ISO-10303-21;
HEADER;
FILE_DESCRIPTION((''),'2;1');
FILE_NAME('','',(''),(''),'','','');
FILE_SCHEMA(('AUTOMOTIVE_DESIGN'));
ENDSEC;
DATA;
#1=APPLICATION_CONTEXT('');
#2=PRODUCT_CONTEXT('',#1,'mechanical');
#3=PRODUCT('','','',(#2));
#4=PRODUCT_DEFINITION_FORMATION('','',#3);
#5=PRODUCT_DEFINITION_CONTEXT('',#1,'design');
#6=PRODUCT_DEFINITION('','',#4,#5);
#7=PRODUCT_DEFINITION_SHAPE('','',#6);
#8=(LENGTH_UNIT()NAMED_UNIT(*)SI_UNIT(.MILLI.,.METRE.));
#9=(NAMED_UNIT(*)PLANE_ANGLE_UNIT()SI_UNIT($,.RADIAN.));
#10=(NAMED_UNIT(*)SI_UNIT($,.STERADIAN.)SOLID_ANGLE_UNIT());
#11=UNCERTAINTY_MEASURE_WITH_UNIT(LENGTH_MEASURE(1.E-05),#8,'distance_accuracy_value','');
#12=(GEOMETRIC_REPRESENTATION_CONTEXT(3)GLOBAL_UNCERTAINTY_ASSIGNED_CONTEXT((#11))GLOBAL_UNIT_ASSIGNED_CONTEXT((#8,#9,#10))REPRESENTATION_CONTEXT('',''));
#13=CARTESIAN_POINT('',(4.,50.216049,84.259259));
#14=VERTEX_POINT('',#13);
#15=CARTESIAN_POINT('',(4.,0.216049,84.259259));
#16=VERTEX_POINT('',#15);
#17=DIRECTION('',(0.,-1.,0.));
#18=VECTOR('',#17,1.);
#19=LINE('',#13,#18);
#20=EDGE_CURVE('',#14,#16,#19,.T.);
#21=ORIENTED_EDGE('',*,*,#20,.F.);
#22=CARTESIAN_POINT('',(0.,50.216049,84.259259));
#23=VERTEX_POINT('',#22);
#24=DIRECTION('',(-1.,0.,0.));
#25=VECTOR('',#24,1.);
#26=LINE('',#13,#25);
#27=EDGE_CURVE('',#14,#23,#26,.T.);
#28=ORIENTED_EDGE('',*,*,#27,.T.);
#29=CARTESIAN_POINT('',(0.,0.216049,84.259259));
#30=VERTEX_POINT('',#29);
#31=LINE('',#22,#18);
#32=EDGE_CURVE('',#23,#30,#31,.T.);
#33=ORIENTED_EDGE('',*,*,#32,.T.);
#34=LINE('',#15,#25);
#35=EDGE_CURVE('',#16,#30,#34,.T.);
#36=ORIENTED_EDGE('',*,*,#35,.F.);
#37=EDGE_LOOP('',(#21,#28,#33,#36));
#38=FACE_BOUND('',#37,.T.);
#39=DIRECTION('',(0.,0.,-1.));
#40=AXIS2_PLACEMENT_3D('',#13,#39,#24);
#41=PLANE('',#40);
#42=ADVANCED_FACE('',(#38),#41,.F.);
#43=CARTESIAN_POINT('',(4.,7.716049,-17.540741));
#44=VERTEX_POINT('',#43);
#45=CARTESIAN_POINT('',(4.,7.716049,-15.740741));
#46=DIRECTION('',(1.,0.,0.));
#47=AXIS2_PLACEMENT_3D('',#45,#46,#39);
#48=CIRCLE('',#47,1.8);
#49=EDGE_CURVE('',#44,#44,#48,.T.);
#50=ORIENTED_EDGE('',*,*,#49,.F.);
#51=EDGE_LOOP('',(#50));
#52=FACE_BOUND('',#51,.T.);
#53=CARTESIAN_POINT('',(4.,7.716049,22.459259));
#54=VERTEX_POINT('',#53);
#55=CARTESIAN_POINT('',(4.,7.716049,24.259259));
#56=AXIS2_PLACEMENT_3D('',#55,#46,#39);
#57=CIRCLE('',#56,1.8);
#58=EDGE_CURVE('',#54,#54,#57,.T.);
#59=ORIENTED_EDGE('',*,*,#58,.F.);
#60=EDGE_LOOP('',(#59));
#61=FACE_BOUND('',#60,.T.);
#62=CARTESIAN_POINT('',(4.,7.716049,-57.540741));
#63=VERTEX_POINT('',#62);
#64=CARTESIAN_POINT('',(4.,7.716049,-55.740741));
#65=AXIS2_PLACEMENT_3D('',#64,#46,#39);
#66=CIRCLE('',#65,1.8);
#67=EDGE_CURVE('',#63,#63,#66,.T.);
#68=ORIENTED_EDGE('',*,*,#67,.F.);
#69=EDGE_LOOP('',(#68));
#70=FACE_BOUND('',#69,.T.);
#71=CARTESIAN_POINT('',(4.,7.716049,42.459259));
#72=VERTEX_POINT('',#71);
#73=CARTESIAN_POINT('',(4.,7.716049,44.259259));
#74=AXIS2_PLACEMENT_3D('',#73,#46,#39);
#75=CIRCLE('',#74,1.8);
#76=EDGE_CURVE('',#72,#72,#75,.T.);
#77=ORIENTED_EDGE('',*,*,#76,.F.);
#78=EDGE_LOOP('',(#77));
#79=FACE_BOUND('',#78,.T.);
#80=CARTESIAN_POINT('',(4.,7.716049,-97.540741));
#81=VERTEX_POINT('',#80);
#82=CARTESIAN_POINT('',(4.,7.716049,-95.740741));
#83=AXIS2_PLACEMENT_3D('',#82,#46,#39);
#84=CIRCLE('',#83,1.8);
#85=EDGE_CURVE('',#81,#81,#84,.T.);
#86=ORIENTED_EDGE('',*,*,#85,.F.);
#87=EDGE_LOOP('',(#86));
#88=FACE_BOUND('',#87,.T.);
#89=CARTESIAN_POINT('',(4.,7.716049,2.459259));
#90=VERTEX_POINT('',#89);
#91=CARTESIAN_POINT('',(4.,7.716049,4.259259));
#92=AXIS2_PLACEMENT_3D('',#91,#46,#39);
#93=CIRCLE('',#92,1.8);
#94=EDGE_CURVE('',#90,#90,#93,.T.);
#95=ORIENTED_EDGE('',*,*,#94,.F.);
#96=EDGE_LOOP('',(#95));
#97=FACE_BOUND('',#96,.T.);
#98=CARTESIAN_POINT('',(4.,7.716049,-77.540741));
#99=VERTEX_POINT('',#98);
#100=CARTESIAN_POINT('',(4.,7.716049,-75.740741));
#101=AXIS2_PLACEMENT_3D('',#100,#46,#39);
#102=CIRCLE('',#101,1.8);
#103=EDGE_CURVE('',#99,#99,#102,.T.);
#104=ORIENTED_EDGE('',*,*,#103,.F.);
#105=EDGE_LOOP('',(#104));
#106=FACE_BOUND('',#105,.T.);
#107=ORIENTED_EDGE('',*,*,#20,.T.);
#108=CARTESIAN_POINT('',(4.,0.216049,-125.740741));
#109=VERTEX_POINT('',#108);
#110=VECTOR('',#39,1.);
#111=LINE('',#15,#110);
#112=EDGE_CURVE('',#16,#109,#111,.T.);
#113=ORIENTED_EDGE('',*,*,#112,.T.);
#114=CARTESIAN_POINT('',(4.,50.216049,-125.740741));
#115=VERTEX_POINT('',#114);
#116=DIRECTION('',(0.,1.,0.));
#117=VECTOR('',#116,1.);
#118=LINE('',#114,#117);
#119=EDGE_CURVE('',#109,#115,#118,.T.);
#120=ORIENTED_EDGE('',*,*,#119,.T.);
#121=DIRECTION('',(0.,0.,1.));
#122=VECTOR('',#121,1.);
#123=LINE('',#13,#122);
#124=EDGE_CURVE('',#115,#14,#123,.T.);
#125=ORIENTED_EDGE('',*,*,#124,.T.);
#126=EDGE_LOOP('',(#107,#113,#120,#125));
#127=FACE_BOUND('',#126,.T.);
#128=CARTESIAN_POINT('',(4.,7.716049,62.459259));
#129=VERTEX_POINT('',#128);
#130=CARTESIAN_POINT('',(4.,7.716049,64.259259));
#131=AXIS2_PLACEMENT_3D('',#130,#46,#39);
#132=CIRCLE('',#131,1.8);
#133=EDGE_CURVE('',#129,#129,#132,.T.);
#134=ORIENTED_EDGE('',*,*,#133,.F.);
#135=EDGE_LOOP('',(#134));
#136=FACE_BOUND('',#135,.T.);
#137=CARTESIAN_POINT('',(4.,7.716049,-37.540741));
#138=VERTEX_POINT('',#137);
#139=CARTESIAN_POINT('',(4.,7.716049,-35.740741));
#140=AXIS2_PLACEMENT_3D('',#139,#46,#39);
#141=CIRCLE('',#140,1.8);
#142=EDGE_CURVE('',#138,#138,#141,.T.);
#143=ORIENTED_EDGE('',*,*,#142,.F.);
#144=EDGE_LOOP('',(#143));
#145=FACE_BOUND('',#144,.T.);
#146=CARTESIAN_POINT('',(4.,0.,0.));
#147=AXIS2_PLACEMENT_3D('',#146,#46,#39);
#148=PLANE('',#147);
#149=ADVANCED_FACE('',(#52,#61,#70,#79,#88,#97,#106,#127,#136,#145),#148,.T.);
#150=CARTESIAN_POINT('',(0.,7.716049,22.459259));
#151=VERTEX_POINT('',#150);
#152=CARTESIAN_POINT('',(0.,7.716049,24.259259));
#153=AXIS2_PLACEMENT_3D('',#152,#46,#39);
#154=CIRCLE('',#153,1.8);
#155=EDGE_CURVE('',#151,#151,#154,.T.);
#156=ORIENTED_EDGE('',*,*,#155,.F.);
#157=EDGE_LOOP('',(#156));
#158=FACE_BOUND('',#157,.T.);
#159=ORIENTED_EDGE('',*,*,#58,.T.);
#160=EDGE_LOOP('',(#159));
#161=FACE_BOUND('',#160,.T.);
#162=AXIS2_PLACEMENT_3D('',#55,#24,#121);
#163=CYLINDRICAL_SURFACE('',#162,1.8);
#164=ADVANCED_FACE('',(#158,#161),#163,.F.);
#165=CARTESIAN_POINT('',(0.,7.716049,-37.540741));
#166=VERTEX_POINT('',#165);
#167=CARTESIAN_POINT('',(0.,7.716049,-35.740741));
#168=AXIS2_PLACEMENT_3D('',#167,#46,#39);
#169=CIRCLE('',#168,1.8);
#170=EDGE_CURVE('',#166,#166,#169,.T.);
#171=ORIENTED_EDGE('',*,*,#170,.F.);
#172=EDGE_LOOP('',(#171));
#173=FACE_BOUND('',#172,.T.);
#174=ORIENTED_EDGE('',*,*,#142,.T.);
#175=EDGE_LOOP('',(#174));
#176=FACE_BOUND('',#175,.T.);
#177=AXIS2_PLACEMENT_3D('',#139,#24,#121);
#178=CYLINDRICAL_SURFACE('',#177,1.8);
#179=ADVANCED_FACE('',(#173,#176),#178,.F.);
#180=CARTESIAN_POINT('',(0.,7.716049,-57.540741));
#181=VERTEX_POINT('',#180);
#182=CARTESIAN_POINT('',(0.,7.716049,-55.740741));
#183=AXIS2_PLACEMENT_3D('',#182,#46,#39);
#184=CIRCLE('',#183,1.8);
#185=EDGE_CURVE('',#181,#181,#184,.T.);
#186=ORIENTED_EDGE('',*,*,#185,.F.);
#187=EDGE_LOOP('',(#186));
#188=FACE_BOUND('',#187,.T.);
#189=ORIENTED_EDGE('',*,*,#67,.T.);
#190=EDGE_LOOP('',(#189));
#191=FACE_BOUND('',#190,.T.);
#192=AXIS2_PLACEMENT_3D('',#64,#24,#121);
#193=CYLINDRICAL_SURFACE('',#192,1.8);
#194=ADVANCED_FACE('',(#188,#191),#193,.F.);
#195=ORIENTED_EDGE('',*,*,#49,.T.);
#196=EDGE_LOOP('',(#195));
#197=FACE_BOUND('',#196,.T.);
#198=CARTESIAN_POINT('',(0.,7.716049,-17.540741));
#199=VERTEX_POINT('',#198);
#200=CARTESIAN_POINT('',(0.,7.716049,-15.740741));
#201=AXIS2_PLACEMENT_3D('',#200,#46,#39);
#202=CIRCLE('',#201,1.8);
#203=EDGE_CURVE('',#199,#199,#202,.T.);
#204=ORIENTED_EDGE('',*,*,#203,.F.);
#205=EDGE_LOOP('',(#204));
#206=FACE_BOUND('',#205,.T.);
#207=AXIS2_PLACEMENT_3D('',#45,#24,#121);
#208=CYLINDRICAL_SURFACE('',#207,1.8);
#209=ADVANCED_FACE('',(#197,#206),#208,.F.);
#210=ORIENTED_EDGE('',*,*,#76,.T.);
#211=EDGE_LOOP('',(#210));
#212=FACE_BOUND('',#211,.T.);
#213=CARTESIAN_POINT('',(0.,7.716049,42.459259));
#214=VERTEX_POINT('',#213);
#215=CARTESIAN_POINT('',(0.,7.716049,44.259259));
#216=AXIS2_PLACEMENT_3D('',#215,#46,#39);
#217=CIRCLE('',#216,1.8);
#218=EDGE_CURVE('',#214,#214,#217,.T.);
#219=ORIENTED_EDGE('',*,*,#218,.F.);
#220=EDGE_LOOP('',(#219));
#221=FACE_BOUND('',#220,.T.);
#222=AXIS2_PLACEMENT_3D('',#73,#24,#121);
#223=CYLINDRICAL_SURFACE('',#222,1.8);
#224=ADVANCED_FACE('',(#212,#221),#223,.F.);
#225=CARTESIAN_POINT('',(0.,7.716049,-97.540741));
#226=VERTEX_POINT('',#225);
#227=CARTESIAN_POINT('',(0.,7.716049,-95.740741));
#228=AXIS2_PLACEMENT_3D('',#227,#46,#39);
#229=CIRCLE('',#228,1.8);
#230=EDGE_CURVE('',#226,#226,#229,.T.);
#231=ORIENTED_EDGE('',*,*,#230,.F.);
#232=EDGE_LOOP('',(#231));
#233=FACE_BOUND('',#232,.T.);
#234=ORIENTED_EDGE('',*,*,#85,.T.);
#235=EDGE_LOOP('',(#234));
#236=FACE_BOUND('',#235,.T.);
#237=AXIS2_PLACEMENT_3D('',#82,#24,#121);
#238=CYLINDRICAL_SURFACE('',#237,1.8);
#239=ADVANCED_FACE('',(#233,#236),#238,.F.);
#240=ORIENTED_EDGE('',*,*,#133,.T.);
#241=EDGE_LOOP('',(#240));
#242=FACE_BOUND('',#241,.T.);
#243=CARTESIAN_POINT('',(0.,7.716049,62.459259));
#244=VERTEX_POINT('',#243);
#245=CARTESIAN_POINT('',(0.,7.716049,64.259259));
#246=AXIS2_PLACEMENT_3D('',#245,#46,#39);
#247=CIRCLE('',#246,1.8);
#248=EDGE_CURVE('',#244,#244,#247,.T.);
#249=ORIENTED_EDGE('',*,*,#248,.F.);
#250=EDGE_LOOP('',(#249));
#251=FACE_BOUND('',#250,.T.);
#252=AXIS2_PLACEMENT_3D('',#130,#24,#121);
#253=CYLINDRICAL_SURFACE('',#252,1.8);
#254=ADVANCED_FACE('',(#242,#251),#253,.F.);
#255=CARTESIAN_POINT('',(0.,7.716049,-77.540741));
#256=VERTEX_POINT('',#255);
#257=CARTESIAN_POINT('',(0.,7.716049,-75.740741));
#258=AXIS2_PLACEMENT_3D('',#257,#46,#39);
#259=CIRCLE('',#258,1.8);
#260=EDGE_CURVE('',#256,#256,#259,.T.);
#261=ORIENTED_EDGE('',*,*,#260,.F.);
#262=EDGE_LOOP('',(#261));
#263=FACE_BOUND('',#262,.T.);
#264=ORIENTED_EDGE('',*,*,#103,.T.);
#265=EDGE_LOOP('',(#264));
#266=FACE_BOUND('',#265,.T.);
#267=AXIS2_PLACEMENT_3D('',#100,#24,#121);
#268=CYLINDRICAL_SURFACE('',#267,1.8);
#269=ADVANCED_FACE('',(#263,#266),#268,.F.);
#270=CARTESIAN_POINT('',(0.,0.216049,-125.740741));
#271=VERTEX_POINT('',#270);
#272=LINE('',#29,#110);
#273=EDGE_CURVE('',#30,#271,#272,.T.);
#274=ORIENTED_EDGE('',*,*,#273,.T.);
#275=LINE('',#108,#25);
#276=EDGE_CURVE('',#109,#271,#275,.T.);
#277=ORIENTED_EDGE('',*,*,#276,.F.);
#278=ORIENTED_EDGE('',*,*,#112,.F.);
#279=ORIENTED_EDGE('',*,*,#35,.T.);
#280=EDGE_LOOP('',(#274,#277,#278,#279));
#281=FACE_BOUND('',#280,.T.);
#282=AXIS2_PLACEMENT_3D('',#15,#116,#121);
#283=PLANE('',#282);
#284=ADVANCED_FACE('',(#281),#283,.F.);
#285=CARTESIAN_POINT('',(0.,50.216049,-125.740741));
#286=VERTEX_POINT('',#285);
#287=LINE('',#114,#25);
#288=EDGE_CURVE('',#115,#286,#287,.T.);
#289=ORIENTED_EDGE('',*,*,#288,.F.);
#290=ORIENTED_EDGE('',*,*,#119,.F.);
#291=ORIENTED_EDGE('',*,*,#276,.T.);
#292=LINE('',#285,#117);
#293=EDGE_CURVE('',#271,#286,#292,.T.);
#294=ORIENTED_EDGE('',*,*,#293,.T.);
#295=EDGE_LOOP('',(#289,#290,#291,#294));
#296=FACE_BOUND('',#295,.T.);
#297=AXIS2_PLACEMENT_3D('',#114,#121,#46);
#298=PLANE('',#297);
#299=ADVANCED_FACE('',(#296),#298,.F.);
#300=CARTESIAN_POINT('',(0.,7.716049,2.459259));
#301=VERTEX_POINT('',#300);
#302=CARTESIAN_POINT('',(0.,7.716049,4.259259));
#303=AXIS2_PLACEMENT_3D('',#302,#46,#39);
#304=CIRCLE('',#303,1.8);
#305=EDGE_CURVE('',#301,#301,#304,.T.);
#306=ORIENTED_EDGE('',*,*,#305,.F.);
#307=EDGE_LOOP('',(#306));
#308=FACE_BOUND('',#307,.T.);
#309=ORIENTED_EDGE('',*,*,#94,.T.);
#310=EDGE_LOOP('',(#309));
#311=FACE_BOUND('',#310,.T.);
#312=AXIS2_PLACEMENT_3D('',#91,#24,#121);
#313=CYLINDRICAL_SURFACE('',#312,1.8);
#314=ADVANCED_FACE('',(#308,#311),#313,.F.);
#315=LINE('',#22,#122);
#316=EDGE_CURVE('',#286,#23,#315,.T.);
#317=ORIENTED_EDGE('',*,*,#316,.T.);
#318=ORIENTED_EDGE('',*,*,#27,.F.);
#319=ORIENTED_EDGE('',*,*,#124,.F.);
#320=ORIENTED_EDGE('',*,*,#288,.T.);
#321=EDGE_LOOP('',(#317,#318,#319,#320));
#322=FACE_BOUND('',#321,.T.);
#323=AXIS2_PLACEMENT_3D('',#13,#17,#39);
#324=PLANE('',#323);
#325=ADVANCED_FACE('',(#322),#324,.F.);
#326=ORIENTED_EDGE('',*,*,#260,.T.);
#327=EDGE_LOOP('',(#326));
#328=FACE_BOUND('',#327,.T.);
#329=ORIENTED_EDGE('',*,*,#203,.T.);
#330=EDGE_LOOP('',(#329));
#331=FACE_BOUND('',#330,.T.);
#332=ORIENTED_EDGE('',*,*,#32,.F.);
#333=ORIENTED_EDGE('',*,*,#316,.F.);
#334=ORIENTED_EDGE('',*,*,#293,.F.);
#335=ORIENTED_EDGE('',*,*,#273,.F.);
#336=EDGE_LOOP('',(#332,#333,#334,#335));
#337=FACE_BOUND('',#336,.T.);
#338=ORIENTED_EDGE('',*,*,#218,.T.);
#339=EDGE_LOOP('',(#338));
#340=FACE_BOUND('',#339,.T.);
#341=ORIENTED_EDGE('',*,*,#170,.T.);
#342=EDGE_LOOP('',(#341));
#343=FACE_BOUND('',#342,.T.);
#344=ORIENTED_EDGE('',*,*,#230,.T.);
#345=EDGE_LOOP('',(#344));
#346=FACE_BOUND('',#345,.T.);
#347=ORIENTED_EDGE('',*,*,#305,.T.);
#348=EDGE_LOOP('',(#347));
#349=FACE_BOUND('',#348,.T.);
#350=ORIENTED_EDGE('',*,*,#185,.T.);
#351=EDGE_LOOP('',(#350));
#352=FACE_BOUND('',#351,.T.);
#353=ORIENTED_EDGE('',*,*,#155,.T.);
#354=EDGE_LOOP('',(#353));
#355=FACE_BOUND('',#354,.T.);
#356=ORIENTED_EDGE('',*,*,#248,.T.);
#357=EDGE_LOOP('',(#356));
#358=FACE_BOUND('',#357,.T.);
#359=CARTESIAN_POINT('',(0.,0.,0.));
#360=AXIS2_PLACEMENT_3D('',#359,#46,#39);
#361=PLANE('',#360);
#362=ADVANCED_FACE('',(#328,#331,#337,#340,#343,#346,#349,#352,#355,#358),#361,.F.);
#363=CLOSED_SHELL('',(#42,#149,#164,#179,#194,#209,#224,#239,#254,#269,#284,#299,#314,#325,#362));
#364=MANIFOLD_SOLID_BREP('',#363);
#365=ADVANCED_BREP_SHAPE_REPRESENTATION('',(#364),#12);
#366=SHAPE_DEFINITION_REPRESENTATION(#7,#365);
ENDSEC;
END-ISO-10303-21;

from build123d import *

# Parameters (mm, degrees)
SKETCH2_W           = 210
SKETCH2_H           = 50
SKETCH2_R           = 1.8
BOSS_EXTRUDE1_DEPTH = 4


with BuildPart() as part:
    # Sketch2 → Boss-Extrude1 (new body)
    with BuildSketch(Plane(origin=(0, 0, 0), x_dir=(0, 0, -1), z_dir=(1, 0, 0))):
        with Locations((20.740740741, 25.216049383)):
            Rectangle(SKETCH2_W, SKETCH2_H)
        with Locations((-64.259259259, 7.716049383)):
            Circle(SKETCH2_R, mode=Mode.SUBTRACT)
        with Locations((-44.259259259, 7.716049383)):
            Circle(SKETCH2_R, mode=Mode.SUBTRACT)
        with Locations((-24.259259259, 7.716049383)):
            Circle(SKETCH2_R, mode=Mode.SUBTRACT)
        with Locations((-4.259259259, 7.716049383)):
            Circle(SKETCH2_R, mode=Mode.SUBTRACT)
        with Locations((15.740740741, 7.716049383)):
            Circle(SKETCH2_R, mode=Mode.SUBTRACT)
        with Locations((35.740740741, 7.716049383)):
            Circle(SKETCH2_R, mode=Mode.SUBTRACT)
        with Locations((55.740740741, 7.716049383)):
            Circle(SKETCH2_R, mode=Mode.SUBTRACT)
        with Locations((75.740740741, 7.716049383)):
            Circle(SKETCH2_R, mode=Mode.SUBTRACT)
        with Locations((95.740740741, 7.716049383)):
            Circle(SKETCH2_R, mode=Mode.SUBTRACT)
    extrude(amount=BOSS_EXTRUDE1_DEPTH)


solid = part.part
